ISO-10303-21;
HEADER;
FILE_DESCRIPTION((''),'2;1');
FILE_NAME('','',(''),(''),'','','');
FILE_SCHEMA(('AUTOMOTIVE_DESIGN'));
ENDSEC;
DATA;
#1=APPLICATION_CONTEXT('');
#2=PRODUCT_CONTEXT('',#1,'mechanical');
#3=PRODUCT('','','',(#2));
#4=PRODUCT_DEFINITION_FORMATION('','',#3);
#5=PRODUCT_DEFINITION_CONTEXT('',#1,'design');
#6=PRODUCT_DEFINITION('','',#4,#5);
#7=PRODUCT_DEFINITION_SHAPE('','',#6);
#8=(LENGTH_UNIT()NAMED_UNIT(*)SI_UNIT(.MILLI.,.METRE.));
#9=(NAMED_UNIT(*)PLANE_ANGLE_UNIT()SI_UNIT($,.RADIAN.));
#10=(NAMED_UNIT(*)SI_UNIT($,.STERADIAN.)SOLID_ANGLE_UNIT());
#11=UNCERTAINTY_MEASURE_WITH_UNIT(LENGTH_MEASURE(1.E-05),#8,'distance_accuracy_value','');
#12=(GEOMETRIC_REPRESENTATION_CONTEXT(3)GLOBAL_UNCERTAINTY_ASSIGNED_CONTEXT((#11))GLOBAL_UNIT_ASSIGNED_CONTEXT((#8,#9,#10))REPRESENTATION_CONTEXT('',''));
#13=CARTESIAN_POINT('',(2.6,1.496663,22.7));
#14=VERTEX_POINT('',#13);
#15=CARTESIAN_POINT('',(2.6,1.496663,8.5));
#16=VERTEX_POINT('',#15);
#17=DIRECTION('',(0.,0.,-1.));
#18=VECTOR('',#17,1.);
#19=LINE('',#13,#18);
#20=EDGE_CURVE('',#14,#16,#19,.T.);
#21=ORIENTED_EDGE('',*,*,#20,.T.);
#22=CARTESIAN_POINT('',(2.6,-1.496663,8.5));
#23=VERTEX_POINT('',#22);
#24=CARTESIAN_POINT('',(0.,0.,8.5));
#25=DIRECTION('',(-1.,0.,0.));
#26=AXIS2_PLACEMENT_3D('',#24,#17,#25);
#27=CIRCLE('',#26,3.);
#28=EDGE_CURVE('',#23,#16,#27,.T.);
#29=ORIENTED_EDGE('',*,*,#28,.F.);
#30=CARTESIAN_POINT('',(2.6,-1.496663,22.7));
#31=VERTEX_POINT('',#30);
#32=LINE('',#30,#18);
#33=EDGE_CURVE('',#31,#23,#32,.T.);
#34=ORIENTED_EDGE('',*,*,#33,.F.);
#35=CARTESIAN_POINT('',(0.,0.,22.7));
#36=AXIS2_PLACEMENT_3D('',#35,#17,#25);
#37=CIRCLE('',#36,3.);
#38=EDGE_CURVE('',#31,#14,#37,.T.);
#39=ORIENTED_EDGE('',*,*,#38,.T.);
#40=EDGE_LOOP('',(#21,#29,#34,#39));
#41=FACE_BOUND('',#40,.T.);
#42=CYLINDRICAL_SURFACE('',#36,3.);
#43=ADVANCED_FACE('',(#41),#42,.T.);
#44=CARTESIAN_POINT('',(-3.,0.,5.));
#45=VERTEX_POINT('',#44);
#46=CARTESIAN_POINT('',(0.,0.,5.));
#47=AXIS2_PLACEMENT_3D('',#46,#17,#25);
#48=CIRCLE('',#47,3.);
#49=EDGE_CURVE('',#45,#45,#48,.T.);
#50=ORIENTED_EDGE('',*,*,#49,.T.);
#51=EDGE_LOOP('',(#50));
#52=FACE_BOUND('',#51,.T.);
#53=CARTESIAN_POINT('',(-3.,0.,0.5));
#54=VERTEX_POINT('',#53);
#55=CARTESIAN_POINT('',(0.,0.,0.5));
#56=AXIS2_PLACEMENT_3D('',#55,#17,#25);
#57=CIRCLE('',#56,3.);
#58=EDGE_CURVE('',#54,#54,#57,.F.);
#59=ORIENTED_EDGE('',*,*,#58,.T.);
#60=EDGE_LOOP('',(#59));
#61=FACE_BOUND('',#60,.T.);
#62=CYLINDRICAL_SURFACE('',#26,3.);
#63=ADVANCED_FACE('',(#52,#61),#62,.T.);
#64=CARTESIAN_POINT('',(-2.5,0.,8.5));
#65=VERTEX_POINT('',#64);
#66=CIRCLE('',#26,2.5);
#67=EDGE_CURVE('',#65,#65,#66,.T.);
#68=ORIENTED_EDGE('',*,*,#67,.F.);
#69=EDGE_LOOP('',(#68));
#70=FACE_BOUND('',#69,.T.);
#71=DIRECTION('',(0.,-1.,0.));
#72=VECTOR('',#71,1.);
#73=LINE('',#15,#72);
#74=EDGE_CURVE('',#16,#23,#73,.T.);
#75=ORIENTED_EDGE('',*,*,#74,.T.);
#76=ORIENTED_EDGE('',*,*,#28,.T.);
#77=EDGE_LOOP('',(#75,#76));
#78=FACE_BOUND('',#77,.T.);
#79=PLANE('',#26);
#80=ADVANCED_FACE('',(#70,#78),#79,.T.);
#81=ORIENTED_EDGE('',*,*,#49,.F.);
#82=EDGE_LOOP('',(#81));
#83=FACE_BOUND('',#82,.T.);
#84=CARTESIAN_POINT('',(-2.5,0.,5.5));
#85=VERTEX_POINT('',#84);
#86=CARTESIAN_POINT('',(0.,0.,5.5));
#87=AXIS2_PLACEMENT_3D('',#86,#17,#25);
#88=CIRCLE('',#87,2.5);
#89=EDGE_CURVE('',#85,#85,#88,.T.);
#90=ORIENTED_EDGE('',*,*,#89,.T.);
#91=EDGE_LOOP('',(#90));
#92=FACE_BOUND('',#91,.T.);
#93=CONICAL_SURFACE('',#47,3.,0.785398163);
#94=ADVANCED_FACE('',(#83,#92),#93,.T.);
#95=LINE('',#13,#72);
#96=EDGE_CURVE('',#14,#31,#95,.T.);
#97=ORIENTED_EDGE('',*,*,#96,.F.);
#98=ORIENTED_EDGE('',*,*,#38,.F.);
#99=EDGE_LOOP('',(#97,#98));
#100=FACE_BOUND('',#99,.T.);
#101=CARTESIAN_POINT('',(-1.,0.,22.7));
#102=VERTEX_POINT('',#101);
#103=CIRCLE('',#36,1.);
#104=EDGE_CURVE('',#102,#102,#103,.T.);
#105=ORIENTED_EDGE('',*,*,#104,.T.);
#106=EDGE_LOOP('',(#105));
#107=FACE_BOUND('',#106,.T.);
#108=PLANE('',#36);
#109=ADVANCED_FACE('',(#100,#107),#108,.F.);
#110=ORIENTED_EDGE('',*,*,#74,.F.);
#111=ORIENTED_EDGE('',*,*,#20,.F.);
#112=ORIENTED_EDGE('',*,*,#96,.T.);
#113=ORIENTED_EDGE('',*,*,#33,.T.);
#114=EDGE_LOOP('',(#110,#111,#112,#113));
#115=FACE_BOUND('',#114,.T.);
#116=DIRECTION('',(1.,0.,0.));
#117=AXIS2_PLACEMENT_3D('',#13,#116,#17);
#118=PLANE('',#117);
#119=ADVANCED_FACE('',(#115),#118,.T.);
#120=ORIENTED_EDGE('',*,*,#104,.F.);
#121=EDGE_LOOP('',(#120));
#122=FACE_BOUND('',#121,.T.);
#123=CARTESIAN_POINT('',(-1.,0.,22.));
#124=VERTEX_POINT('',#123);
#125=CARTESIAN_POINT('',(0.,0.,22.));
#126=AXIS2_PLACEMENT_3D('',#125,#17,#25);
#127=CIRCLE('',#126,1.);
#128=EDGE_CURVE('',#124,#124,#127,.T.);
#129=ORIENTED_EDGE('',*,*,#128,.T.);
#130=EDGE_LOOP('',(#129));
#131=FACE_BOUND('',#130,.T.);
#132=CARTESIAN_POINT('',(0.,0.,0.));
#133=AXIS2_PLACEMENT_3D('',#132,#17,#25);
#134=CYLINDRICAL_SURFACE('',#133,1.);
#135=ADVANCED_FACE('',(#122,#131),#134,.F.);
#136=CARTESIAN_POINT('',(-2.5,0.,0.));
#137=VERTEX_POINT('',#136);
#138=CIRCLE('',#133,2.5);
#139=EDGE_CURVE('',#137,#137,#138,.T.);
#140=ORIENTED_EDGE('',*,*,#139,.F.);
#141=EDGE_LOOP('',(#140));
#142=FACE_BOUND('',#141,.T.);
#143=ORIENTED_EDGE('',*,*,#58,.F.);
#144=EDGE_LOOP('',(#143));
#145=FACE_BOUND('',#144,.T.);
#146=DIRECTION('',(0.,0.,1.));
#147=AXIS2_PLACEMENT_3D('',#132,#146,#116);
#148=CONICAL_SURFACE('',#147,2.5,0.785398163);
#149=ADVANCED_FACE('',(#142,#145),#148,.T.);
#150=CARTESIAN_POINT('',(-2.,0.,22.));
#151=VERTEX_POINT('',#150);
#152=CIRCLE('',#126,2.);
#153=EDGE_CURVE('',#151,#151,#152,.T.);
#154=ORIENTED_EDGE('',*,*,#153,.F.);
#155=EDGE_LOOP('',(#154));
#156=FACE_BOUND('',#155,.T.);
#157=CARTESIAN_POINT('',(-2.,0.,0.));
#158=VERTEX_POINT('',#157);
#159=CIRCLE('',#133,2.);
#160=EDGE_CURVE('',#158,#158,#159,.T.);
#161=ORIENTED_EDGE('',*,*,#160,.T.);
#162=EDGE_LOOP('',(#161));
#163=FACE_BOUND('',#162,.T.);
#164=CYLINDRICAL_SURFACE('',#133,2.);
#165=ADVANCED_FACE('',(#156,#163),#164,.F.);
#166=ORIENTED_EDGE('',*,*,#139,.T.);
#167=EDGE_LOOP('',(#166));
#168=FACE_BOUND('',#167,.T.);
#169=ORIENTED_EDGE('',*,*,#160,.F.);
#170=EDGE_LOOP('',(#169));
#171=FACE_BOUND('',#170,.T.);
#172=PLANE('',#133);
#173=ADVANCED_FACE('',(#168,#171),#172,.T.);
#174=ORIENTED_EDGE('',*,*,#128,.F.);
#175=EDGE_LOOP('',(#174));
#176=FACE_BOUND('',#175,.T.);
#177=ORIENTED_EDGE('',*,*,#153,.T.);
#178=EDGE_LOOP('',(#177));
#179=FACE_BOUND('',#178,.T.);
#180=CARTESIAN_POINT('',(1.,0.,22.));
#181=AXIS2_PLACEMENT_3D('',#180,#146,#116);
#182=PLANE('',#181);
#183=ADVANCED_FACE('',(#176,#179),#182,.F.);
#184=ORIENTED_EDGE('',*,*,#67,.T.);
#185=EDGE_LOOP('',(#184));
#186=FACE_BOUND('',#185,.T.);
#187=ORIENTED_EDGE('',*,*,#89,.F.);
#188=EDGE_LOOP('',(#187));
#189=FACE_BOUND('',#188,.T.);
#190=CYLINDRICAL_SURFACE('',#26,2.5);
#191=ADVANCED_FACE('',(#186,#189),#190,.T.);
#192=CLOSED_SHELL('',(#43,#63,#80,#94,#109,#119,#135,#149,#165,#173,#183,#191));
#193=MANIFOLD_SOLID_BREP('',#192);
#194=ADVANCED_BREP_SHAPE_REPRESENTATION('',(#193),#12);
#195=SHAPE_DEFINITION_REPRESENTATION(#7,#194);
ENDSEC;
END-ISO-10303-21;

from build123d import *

# Parameters (mm, degrees)
EXTRUDE_1_DEPTH               = 14.2
HOLE_WIZARD_M1_61_D           = 2
HOLE_WIZARD_M1_61_CBORE_D     = 4
HOLE_WIZARD_M1_61_CBORE_DEPTH = 22
CHAMFER_1_SIZE                = 0.5


with BuildPart() as part:
    # Эскиз1 → Бобышка-Вытянуть1 (new body)
    with BuildSketch(Plane(origin=(0, 0, 8.5), x_dir=(-1, 0, 0), z_dir=(0, 0, -1))):
        with BuildLine():
            Line((-2.6, 1.496662955), (-2.6, -1.496662955))
            ThreePointArc((-2.6, -1.496662955), (3, 0), (-2.6, 1.496662955))
        make_face()
    extrude(amount=-EXTRUDE_1_DEPTH)

    # Эскиз2 → Повернуть1 (revolve)
    with BuildSketch(Plane.XZ, mode=Mode.PRIVATE) as revolve_1_sk:
        Polygon((2.5, 8.5), (0, 8.5), (0, 0), (3, 0), (3, 5), (2.5, 5.5), align=None)
    revolve(revolve_1_sk.sketch.rotate(Axis((0, 0, 8.5), (0, 0, -1)), 180), axis=Axis((0, 0, 8.5), (0, 0, -1)))

    # Цековка для винта с внутренним шестигранником M1.61 (through all)
    with Locations(Plane(origin=(0, 0, 0), x_dir=(-1, 0, 0), z_dir=(0, 0, -1))):
        with Locations((0, 0)):
            CounterBoreHole(HOLE_WIZARD_M1_61_D / 2, HOLE_WIZARD_M1_61_CBORE_D / 2, HOLE_WIZARD_M1_61_CBORE_DEPTH)

    # Фаска1
    chamfer_1_edges = [part.edges().sort_by_distance(p)[0] for p in [
        (3, 0, 0),
    ]]
    chamfer(chamfer_1_edges, length=CHAMFER_1_SIZE)


solid = part.part
